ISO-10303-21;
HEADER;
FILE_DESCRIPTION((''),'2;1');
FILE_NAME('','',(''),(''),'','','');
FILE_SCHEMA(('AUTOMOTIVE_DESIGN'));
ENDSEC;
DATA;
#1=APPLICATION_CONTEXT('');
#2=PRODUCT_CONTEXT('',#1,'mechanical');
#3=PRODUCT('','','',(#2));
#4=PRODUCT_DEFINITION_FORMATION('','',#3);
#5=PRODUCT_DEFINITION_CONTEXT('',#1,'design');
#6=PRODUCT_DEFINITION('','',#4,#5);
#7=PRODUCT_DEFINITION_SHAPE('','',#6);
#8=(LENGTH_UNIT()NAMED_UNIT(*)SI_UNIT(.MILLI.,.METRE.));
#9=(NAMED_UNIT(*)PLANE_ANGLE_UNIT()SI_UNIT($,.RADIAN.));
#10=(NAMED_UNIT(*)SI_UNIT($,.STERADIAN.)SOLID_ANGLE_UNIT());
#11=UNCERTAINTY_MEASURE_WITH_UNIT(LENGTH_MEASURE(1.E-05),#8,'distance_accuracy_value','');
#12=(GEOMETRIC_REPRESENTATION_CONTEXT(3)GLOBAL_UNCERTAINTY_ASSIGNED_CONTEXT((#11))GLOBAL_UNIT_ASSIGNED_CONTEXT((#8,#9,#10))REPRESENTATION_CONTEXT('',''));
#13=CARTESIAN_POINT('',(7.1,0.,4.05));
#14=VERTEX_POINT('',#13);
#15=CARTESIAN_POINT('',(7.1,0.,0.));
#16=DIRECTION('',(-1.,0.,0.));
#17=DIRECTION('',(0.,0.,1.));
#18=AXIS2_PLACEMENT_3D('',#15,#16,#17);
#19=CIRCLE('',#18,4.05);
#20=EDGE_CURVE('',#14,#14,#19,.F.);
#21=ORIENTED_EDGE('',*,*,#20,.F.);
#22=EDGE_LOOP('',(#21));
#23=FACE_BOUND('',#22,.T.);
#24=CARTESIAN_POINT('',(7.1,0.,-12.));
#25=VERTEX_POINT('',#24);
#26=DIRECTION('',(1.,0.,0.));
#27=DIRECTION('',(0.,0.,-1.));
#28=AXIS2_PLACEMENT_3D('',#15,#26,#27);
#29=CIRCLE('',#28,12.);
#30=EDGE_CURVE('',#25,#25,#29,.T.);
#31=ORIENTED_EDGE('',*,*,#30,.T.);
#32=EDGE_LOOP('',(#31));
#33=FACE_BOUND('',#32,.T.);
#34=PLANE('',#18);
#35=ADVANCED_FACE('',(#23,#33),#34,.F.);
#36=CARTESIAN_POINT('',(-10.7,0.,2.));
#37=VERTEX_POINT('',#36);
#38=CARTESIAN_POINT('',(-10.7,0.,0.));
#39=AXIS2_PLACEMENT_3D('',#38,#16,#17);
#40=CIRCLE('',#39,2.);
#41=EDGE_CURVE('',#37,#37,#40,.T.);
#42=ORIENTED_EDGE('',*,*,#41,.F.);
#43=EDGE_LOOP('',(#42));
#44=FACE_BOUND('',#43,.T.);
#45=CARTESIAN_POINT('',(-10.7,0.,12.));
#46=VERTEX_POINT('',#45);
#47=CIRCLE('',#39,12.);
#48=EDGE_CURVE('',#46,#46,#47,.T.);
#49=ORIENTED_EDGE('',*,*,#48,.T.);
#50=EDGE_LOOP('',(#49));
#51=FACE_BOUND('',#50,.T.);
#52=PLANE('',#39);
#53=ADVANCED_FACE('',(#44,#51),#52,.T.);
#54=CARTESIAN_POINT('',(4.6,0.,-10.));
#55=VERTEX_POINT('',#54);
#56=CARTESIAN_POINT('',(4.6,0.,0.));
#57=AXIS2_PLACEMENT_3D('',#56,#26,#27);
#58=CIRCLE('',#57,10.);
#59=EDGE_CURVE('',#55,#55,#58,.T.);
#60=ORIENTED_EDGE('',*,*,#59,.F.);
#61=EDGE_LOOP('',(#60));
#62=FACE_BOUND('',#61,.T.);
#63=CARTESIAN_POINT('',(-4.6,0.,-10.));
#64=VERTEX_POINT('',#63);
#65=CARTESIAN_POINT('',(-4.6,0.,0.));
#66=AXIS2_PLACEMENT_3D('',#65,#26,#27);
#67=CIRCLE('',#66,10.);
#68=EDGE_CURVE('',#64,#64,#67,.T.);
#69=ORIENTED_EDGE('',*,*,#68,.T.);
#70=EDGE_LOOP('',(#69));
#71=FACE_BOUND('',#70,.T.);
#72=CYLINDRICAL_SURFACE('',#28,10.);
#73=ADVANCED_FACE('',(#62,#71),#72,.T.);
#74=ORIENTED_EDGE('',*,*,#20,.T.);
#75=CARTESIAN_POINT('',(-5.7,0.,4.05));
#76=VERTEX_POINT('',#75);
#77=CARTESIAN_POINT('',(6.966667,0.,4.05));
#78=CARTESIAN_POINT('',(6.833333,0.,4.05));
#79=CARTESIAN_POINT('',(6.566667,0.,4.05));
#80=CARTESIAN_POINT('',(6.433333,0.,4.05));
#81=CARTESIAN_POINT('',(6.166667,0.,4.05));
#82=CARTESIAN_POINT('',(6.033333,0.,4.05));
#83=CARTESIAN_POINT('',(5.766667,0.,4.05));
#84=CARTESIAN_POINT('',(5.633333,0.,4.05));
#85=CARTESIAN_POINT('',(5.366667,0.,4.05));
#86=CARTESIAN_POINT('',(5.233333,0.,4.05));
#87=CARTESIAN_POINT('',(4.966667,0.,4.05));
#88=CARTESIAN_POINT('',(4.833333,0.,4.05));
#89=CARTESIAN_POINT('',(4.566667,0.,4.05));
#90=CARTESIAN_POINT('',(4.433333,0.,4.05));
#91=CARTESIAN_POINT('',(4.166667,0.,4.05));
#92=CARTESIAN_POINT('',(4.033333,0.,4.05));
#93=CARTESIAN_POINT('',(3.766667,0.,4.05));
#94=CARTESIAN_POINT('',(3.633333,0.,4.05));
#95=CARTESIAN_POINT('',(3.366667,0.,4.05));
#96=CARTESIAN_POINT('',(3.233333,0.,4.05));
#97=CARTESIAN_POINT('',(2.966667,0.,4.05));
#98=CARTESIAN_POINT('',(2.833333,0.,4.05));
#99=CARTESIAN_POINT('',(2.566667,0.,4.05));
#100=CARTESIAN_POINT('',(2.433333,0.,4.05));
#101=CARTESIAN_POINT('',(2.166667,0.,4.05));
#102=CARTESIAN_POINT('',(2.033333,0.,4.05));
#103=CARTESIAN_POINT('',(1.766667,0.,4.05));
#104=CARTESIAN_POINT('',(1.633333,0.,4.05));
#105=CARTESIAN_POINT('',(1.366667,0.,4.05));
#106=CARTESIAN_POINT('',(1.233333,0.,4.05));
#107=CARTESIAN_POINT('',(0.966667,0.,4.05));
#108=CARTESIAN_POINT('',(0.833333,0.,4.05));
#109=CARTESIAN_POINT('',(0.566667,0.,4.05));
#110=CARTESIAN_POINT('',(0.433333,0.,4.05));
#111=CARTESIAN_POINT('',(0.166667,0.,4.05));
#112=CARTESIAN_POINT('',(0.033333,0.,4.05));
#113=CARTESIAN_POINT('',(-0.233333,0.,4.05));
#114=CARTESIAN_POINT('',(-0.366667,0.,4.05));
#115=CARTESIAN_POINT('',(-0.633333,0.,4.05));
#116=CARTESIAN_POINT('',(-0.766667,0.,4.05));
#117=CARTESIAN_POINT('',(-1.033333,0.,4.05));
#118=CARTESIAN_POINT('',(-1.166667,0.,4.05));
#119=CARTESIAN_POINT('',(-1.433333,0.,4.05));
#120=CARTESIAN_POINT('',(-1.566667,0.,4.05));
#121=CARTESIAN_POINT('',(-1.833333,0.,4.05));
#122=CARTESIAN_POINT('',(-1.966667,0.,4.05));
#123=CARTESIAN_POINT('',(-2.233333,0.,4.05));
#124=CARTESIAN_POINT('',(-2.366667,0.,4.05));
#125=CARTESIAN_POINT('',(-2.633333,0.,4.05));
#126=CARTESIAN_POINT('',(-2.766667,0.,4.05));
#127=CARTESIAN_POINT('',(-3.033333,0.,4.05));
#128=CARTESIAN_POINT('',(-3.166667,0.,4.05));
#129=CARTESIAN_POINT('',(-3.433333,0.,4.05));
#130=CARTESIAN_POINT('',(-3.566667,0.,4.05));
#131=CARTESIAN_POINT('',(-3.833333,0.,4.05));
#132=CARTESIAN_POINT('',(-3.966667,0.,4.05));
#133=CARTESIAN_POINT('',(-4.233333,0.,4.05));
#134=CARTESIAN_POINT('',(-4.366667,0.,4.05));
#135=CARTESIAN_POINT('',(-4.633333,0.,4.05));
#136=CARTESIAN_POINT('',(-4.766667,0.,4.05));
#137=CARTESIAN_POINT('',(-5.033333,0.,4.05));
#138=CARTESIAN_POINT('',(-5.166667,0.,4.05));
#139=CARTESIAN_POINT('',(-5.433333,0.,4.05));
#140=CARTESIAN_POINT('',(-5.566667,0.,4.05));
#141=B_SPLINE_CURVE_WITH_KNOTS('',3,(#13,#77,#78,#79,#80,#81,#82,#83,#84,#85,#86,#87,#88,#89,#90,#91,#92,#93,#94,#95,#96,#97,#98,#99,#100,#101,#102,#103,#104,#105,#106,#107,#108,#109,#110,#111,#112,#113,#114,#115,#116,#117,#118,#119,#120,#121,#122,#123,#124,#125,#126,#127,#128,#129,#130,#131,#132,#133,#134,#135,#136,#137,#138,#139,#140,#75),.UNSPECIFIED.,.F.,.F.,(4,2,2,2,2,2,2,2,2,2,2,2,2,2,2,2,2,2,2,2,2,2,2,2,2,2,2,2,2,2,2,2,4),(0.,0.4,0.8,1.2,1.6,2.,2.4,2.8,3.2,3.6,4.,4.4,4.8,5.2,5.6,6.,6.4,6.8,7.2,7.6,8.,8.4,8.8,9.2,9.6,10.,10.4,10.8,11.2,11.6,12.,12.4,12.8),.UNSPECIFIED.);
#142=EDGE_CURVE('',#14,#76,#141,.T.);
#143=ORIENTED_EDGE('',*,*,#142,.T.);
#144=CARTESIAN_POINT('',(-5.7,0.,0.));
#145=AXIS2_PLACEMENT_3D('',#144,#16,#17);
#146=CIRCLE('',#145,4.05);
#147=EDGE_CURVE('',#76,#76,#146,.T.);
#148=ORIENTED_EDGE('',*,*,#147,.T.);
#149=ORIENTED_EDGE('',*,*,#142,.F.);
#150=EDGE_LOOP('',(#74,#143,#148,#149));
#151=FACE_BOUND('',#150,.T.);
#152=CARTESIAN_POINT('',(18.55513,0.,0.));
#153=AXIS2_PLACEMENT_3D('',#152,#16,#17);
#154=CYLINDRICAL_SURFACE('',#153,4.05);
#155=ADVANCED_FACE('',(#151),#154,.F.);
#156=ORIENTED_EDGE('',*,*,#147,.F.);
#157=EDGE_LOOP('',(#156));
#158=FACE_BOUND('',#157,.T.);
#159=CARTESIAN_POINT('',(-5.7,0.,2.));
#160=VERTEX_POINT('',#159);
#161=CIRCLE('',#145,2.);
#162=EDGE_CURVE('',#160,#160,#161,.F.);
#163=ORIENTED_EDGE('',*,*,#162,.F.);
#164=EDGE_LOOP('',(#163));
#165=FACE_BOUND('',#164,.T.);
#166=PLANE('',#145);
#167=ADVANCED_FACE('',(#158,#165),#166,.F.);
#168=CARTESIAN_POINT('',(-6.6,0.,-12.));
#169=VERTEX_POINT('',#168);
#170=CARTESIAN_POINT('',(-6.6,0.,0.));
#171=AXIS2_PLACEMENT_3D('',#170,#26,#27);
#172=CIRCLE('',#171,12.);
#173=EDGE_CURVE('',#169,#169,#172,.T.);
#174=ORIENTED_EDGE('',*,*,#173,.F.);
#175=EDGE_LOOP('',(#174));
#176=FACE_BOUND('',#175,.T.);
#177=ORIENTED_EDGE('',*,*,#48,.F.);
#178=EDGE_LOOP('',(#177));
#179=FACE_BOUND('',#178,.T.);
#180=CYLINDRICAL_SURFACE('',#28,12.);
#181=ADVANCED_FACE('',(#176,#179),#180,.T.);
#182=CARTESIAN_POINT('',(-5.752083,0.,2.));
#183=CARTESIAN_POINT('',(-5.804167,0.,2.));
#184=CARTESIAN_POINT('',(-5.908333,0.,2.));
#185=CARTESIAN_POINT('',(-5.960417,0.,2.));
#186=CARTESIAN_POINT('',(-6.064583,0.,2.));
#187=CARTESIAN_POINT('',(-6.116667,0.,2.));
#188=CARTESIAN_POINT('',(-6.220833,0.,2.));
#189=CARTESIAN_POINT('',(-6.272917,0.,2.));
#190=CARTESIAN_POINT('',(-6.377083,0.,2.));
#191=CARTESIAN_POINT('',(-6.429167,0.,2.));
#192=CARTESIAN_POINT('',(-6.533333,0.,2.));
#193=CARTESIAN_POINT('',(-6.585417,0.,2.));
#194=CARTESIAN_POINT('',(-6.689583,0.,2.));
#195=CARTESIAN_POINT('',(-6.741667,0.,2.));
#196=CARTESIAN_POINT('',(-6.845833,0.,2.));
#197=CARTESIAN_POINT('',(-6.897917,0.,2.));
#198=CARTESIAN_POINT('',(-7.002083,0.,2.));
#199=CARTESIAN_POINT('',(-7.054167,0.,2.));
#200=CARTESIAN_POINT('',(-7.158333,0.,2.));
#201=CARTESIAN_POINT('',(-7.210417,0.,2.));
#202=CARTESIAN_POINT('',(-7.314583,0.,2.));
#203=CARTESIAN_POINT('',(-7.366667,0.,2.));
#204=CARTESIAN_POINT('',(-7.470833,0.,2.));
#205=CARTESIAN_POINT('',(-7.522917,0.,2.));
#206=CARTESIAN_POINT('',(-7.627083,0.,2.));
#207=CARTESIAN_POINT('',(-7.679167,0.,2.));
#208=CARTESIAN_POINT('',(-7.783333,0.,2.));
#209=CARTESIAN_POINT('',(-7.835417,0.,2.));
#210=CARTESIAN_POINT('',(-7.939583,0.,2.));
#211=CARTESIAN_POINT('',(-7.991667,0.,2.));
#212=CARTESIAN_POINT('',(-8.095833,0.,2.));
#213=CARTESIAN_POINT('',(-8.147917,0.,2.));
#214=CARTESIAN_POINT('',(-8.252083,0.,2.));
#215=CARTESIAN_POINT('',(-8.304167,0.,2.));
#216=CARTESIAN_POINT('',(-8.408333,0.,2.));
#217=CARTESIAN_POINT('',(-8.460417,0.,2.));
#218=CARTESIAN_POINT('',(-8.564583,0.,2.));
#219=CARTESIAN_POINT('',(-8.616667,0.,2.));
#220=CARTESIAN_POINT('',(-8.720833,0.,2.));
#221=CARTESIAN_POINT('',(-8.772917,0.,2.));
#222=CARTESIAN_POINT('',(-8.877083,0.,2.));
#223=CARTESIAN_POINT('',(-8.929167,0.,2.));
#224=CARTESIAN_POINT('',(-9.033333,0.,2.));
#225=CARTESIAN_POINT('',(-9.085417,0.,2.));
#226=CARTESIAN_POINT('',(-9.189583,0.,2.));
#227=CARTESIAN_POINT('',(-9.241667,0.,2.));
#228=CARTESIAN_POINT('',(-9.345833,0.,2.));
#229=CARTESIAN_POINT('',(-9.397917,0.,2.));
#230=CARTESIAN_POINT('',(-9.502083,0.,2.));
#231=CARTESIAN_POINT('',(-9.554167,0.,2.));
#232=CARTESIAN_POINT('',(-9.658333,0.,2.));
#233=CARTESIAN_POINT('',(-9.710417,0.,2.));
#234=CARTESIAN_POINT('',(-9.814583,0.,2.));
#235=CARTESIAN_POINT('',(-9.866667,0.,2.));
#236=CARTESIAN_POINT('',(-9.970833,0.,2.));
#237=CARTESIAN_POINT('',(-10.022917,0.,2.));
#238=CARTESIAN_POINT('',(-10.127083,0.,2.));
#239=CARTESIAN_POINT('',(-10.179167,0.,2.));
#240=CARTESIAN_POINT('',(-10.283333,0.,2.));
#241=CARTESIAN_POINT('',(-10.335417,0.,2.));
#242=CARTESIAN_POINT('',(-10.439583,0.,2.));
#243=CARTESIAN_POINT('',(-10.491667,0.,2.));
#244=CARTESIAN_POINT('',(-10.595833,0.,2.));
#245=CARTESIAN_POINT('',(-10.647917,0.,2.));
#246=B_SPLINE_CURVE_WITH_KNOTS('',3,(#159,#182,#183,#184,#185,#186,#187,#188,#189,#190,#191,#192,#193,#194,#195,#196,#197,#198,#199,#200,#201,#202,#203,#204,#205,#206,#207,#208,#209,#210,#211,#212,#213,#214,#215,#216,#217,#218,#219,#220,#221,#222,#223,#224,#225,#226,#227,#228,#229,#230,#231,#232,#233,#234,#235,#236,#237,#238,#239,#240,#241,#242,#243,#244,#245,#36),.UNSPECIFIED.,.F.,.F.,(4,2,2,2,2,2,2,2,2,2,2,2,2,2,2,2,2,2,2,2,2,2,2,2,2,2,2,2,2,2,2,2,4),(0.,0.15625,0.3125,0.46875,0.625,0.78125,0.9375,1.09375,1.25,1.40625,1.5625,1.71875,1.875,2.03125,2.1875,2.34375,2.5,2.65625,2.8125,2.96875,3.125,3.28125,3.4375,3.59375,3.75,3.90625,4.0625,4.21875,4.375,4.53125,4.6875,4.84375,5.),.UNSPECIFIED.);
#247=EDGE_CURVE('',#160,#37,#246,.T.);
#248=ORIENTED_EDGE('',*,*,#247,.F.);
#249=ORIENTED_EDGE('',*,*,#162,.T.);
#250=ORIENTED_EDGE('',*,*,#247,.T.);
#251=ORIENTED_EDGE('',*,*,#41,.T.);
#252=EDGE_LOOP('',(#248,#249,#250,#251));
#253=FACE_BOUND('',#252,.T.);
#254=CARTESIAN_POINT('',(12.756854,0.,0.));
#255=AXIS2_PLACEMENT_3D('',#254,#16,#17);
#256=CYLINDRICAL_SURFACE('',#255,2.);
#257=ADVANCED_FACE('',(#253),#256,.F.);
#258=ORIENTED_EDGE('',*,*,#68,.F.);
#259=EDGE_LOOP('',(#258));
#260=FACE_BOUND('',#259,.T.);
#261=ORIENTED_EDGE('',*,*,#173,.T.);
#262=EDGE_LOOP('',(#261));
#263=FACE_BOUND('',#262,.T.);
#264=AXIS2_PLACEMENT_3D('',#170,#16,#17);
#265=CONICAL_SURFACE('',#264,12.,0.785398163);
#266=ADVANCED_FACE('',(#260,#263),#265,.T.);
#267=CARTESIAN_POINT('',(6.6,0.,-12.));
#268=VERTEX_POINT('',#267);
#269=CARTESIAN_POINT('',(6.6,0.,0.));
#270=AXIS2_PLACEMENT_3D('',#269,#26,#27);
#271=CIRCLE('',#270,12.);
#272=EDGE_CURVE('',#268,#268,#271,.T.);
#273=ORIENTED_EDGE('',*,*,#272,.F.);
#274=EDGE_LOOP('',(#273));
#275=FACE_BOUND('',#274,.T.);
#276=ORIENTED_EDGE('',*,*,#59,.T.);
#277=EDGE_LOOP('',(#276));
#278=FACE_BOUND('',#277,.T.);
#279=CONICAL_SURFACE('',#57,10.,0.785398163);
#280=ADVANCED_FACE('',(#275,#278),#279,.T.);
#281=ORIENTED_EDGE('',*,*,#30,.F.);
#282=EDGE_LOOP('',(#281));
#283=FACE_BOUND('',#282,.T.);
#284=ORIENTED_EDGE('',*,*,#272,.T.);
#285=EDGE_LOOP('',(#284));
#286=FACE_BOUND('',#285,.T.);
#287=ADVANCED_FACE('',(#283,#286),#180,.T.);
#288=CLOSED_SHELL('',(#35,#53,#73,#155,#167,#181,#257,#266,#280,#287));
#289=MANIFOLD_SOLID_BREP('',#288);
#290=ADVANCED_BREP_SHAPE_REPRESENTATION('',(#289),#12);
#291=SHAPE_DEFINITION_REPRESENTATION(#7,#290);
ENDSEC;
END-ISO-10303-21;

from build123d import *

# Parameters (mm, degrees)
SKETCH3_R           = 2
CUT_EXTRUDE1_DEPTH  = 14.8
CUT_EXTRUDE2_START  = -2
SKETCH4_R           = 4.05
CUT_EXTRUDE2_DEPTH  = 12.8
BOSS_EXTRUDE1_START = 3
SKETCH5_R           = 12
SKETCH5_R_2         = 2
BOSS_EXTRUDE1_DEPTH = 3


with BuildPart() as part:
    # Sketch2 → Revolve1 (revolve)
    with BuildSketch(Plane(origin=(0, 0, 0), x_dir=(1, 0, 0), z_dir=(0, 1, 0))):
        Polygon((-7.7, 12), (-7.7, 0), (-7.1, 0), (7.1, 0), (7.1, 12), (6.6, 12), (4.6, 10), (-4.6, 10), (-6.6, 12), (-7.1, 12), align=None)
    revolve(axis=Axis((7.1, 0, 0), (-1, 0, 0)))

    # Sketch3 → Cut-Extrude1 (cut)
    with BuildSketch(Plane.ZY.offset(7.7)):
        Circle(SKETCH3_R)
    extrude(amount=-CUT_EXTRUDE1_DEPTH, mode=Mode.SUBTRACT)

    # Sketch4 → Cut-Extrude2 (cut)
    with BuildSketch(Plane.ZY.offset(7.7).offset(CUT_EXTRUDE2_START)):
        Circle(SKETCH4_R)
    extrude(amount=-CUT_EXTRUDE2_DEPTH, mode=Mode.SUBTRACT)

    # Sketch5 → Boss-Extrude1 (add)
    with BuildSketch(Plane.ZY.offset(7.7).offset(BOSS_EXTRUDE1_START)):
        with Locations(Location((0, 0, 0), (0, 0, 180))):
            Circle(SKETCH5_R)
        Circle(SKETCH5_R_2, mode=Mode.SUBTRACT)
    extrude(amount=-BOSS_EXTRUDE1_DEPTH)


solid = part.part
